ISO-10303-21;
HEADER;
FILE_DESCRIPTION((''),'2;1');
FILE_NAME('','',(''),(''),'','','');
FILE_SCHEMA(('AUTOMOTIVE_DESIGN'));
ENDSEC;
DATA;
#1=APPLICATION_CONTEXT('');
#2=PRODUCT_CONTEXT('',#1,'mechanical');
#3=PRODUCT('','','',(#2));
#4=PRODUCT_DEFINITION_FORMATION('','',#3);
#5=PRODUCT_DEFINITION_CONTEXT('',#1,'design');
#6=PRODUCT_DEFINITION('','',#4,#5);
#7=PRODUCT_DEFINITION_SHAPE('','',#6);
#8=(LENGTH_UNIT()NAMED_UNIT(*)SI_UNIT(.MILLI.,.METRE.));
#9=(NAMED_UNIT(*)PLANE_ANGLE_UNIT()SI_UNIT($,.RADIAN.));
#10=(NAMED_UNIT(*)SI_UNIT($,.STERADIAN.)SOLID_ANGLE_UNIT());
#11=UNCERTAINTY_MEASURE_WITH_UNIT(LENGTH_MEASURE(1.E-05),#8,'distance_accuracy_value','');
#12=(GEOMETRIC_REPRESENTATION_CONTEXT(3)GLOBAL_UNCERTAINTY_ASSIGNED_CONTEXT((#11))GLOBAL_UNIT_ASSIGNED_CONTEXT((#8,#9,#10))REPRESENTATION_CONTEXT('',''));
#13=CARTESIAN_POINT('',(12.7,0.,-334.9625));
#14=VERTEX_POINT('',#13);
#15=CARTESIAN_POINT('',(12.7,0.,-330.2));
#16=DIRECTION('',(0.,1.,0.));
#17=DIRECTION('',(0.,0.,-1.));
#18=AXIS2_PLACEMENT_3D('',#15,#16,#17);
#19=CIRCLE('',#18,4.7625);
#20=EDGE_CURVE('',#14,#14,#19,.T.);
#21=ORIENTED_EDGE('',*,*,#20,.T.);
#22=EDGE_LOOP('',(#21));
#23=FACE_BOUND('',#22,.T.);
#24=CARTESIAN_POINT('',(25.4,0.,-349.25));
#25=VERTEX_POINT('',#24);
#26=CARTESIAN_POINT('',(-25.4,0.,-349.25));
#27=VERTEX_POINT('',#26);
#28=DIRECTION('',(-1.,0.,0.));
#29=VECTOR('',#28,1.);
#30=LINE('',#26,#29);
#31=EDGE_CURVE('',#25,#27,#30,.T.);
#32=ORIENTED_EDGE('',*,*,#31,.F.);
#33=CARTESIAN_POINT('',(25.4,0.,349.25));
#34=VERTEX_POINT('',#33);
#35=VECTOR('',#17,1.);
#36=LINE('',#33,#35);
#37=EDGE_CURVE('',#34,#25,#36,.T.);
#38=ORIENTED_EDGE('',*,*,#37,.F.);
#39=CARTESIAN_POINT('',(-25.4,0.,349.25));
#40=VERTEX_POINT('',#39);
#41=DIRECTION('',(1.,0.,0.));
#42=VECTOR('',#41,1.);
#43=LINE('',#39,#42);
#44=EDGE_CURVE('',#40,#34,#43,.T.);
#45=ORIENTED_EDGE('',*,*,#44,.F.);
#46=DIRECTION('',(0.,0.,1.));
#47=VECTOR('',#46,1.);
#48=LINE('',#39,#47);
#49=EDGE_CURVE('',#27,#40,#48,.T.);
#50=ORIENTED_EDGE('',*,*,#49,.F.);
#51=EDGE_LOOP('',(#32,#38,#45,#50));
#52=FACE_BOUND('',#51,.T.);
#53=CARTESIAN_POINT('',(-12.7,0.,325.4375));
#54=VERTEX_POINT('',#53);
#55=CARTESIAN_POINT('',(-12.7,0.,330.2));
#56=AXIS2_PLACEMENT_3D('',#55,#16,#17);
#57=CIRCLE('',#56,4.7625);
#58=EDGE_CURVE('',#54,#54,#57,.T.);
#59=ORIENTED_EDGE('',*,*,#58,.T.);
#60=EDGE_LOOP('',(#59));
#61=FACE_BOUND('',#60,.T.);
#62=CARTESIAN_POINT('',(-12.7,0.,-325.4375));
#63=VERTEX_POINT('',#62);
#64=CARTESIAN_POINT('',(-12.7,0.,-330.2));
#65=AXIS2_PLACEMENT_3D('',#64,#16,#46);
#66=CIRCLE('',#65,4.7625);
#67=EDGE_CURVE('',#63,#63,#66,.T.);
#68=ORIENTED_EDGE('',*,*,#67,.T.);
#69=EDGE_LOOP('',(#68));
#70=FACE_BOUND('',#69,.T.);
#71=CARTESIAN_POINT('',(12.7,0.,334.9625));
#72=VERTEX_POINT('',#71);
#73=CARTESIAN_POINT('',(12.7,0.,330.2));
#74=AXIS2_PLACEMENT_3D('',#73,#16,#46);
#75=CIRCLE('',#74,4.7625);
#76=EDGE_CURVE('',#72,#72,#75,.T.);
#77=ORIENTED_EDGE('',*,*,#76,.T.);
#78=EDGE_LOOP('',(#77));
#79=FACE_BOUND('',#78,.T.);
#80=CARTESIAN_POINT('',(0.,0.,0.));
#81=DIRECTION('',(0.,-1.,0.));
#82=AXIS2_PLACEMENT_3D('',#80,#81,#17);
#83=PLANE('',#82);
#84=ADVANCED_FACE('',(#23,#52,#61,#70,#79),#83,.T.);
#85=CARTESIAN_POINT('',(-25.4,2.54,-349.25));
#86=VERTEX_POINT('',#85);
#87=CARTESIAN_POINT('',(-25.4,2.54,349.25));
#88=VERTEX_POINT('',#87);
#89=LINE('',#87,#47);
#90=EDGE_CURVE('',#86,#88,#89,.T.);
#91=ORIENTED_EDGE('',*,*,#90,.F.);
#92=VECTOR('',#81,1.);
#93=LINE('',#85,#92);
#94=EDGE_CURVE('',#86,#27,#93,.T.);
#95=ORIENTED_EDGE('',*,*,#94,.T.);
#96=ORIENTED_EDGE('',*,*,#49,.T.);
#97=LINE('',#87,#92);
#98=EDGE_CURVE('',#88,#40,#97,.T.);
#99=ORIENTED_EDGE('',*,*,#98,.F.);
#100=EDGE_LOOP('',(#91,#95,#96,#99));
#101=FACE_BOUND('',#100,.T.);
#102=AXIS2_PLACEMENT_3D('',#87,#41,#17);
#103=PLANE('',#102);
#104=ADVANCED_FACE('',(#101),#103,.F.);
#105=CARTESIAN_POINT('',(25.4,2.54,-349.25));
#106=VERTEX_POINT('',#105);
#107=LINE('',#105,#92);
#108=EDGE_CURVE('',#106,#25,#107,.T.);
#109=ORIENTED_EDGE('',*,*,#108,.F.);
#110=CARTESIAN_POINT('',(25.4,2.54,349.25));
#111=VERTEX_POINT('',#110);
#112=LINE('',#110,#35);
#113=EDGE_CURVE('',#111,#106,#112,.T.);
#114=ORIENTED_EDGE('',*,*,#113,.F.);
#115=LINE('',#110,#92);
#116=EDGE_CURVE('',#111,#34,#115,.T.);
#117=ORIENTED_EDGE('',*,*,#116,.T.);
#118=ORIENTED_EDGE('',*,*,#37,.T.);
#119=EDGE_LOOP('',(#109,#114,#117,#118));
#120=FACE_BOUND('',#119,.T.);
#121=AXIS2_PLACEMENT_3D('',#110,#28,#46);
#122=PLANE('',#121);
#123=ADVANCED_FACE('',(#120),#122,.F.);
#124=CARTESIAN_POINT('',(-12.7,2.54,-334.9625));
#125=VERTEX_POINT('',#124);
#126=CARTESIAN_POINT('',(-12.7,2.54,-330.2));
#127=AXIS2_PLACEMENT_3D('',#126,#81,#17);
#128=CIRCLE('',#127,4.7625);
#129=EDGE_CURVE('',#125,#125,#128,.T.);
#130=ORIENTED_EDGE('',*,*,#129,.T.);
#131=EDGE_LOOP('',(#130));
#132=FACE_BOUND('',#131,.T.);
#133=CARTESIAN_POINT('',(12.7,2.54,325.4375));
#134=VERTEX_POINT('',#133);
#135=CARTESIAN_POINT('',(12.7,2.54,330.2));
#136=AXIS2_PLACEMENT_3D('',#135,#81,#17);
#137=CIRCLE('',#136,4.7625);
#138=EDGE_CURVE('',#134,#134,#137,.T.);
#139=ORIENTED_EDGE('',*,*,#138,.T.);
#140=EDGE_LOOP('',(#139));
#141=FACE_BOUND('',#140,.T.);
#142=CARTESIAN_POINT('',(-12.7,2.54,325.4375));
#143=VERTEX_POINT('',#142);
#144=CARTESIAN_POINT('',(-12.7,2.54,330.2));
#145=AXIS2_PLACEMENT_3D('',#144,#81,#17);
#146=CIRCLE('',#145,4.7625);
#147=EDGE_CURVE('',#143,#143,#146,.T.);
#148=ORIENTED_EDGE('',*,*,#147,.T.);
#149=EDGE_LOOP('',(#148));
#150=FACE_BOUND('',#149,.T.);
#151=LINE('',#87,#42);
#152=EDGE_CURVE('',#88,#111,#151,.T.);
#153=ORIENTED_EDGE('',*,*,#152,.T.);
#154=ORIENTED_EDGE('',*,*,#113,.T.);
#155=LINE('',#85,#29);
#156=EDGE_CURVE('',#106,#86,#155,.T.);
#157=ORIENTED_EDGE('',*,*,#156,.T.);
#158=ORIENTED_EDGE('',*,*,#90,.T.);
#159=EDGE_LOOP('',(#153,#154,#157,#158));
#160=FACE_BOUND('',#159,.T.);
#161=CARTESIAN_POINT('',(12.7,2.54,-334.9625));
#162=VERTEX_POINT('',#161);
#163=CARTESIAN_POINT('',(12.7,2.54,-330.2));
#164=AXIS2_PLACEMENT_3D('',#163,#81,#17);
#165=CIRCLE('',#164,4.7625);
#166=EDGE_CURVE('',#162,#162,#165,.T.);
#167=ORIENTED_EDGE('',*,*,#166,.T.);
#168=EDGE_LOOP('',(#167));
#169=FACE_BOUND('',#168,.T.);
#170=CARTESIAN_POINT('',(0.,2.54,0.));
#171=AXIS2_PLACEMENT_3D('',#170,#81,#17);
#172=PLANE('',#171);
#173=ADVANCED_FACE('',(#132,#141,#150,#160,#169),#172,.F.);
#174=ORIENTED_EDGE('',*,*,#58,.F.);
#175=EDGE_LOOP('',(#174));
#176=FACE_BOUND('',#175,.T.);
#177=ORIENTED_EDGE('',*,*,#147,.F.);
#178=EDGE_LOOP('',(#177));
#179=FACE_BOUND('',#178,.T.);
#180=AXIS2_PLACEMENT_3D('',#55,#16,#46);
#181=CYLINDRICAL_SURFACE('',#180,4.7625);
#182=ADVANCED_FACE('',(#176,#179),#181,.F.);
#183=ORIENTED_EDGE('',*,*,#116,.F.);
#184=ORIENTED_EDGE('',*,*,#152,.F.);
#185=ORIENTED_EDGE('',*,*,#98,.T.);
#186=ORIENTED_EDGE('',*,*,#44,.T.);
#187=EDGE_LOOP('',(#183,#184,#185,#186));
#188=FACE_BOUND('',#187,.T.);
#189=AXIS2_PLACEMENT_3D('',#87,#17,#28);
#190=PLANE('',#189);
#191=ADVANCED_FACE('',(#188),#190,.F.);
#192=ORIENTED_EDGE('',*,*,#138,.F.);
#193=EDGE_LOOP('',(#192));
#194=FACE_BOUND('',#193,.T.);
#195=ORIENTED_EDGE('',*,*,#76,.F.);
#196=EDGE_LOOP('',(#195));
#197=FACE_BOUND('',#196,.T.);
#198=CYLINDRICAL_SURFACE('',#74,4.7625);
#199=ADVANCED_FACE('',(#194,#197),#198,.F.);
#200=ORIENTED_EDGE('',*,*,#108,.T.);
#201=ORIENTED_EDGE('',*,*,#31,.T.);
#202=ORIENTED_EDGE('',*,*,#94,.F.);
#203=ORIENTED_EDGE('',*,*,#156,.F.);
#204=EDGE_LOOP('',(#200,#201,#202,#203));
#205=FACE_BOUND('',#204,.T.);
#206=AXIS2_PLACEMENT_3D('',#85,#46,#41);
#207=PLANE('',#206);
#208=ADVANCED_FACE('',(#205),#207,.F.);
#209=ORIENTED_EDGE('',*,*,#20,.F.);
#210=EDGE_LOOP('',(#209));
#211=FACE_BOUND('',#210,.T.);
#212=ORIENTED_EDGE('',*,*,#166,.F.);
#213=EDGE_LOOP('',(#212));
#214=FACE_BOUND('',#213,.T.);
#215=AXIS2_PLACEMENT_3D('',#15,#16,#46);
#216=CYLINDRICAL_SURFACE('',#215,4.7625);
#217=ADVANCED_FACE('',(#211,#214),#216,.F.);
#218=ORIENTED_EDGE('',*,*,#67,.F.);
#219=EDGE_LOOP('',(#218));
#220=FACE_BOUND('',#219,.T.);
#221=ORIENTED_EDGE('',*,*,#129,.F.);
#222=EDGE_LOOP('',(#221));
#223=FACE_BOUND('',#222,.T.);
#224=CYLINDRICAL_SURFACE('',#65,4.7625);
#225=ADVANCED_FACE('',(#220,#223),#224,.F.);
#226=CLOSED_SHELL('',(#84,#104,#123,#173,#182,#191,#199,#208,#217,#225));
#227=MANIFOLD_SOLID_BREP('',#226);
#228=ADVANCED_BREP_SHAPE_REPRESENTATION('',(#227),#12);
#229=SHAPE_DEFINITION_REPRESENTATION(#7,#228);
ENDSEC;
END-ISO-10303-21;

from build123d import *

# Parameters (mm, degrees)
SKETCH1_W               = 50.8
SKETCH1_H               = 698.5
BOSS_EXTRUDE1_DEPTH     = 2.54
SKETCH2_R               = 4.7625
CUT_EXTRUDE1_DEPTH      = 1
CUT_EXTRUDE1_DEPTH_BACK = 3.54


with BuildPart() as part:
    # Sketch1 → Boss-Extrude1 (new body)
    with BuildSketch(Plane(origin=(0, 0, 0), x_dir=(1, 0, 0), z_dir=(0, 1, 0))):
        Rectangle(SKETCH1_W, SKETCH1_H)
    extrude(amount=BOSS_EXTRUDE1_DEPTH)

    # Sketch2 → Cut-Extrude1 (cut, two sides)
    with BuildSketch(Plane(origin=(0, 2.54, 0), x_dir=(1, 0, 0), z_dir=(0, 1, 0))) as cut_extrude1_sk:
        with Locations((-12.7, 330.2)):
            Circle(SKETCH2_R)
        with Locations((12.7, 330.2)):
            Circle(SKETCH2_R)
        with Locations((12.7, -330.2)):
            Circle(SKETCH2_R)
        with Locations((-12.7, -330.2)):
            Circle(SKETCH2_R)
    extrude(amount=CUT_EXTRUDE1_DEPTH, mode=Mode.SUBTRACT)
    extrude(cut_extrude1_sk.sketch, amount=-CUT_EXTRUDE1_DEPTH_BACK, mode=Mode.SUBTRACT)


solid = part.part
